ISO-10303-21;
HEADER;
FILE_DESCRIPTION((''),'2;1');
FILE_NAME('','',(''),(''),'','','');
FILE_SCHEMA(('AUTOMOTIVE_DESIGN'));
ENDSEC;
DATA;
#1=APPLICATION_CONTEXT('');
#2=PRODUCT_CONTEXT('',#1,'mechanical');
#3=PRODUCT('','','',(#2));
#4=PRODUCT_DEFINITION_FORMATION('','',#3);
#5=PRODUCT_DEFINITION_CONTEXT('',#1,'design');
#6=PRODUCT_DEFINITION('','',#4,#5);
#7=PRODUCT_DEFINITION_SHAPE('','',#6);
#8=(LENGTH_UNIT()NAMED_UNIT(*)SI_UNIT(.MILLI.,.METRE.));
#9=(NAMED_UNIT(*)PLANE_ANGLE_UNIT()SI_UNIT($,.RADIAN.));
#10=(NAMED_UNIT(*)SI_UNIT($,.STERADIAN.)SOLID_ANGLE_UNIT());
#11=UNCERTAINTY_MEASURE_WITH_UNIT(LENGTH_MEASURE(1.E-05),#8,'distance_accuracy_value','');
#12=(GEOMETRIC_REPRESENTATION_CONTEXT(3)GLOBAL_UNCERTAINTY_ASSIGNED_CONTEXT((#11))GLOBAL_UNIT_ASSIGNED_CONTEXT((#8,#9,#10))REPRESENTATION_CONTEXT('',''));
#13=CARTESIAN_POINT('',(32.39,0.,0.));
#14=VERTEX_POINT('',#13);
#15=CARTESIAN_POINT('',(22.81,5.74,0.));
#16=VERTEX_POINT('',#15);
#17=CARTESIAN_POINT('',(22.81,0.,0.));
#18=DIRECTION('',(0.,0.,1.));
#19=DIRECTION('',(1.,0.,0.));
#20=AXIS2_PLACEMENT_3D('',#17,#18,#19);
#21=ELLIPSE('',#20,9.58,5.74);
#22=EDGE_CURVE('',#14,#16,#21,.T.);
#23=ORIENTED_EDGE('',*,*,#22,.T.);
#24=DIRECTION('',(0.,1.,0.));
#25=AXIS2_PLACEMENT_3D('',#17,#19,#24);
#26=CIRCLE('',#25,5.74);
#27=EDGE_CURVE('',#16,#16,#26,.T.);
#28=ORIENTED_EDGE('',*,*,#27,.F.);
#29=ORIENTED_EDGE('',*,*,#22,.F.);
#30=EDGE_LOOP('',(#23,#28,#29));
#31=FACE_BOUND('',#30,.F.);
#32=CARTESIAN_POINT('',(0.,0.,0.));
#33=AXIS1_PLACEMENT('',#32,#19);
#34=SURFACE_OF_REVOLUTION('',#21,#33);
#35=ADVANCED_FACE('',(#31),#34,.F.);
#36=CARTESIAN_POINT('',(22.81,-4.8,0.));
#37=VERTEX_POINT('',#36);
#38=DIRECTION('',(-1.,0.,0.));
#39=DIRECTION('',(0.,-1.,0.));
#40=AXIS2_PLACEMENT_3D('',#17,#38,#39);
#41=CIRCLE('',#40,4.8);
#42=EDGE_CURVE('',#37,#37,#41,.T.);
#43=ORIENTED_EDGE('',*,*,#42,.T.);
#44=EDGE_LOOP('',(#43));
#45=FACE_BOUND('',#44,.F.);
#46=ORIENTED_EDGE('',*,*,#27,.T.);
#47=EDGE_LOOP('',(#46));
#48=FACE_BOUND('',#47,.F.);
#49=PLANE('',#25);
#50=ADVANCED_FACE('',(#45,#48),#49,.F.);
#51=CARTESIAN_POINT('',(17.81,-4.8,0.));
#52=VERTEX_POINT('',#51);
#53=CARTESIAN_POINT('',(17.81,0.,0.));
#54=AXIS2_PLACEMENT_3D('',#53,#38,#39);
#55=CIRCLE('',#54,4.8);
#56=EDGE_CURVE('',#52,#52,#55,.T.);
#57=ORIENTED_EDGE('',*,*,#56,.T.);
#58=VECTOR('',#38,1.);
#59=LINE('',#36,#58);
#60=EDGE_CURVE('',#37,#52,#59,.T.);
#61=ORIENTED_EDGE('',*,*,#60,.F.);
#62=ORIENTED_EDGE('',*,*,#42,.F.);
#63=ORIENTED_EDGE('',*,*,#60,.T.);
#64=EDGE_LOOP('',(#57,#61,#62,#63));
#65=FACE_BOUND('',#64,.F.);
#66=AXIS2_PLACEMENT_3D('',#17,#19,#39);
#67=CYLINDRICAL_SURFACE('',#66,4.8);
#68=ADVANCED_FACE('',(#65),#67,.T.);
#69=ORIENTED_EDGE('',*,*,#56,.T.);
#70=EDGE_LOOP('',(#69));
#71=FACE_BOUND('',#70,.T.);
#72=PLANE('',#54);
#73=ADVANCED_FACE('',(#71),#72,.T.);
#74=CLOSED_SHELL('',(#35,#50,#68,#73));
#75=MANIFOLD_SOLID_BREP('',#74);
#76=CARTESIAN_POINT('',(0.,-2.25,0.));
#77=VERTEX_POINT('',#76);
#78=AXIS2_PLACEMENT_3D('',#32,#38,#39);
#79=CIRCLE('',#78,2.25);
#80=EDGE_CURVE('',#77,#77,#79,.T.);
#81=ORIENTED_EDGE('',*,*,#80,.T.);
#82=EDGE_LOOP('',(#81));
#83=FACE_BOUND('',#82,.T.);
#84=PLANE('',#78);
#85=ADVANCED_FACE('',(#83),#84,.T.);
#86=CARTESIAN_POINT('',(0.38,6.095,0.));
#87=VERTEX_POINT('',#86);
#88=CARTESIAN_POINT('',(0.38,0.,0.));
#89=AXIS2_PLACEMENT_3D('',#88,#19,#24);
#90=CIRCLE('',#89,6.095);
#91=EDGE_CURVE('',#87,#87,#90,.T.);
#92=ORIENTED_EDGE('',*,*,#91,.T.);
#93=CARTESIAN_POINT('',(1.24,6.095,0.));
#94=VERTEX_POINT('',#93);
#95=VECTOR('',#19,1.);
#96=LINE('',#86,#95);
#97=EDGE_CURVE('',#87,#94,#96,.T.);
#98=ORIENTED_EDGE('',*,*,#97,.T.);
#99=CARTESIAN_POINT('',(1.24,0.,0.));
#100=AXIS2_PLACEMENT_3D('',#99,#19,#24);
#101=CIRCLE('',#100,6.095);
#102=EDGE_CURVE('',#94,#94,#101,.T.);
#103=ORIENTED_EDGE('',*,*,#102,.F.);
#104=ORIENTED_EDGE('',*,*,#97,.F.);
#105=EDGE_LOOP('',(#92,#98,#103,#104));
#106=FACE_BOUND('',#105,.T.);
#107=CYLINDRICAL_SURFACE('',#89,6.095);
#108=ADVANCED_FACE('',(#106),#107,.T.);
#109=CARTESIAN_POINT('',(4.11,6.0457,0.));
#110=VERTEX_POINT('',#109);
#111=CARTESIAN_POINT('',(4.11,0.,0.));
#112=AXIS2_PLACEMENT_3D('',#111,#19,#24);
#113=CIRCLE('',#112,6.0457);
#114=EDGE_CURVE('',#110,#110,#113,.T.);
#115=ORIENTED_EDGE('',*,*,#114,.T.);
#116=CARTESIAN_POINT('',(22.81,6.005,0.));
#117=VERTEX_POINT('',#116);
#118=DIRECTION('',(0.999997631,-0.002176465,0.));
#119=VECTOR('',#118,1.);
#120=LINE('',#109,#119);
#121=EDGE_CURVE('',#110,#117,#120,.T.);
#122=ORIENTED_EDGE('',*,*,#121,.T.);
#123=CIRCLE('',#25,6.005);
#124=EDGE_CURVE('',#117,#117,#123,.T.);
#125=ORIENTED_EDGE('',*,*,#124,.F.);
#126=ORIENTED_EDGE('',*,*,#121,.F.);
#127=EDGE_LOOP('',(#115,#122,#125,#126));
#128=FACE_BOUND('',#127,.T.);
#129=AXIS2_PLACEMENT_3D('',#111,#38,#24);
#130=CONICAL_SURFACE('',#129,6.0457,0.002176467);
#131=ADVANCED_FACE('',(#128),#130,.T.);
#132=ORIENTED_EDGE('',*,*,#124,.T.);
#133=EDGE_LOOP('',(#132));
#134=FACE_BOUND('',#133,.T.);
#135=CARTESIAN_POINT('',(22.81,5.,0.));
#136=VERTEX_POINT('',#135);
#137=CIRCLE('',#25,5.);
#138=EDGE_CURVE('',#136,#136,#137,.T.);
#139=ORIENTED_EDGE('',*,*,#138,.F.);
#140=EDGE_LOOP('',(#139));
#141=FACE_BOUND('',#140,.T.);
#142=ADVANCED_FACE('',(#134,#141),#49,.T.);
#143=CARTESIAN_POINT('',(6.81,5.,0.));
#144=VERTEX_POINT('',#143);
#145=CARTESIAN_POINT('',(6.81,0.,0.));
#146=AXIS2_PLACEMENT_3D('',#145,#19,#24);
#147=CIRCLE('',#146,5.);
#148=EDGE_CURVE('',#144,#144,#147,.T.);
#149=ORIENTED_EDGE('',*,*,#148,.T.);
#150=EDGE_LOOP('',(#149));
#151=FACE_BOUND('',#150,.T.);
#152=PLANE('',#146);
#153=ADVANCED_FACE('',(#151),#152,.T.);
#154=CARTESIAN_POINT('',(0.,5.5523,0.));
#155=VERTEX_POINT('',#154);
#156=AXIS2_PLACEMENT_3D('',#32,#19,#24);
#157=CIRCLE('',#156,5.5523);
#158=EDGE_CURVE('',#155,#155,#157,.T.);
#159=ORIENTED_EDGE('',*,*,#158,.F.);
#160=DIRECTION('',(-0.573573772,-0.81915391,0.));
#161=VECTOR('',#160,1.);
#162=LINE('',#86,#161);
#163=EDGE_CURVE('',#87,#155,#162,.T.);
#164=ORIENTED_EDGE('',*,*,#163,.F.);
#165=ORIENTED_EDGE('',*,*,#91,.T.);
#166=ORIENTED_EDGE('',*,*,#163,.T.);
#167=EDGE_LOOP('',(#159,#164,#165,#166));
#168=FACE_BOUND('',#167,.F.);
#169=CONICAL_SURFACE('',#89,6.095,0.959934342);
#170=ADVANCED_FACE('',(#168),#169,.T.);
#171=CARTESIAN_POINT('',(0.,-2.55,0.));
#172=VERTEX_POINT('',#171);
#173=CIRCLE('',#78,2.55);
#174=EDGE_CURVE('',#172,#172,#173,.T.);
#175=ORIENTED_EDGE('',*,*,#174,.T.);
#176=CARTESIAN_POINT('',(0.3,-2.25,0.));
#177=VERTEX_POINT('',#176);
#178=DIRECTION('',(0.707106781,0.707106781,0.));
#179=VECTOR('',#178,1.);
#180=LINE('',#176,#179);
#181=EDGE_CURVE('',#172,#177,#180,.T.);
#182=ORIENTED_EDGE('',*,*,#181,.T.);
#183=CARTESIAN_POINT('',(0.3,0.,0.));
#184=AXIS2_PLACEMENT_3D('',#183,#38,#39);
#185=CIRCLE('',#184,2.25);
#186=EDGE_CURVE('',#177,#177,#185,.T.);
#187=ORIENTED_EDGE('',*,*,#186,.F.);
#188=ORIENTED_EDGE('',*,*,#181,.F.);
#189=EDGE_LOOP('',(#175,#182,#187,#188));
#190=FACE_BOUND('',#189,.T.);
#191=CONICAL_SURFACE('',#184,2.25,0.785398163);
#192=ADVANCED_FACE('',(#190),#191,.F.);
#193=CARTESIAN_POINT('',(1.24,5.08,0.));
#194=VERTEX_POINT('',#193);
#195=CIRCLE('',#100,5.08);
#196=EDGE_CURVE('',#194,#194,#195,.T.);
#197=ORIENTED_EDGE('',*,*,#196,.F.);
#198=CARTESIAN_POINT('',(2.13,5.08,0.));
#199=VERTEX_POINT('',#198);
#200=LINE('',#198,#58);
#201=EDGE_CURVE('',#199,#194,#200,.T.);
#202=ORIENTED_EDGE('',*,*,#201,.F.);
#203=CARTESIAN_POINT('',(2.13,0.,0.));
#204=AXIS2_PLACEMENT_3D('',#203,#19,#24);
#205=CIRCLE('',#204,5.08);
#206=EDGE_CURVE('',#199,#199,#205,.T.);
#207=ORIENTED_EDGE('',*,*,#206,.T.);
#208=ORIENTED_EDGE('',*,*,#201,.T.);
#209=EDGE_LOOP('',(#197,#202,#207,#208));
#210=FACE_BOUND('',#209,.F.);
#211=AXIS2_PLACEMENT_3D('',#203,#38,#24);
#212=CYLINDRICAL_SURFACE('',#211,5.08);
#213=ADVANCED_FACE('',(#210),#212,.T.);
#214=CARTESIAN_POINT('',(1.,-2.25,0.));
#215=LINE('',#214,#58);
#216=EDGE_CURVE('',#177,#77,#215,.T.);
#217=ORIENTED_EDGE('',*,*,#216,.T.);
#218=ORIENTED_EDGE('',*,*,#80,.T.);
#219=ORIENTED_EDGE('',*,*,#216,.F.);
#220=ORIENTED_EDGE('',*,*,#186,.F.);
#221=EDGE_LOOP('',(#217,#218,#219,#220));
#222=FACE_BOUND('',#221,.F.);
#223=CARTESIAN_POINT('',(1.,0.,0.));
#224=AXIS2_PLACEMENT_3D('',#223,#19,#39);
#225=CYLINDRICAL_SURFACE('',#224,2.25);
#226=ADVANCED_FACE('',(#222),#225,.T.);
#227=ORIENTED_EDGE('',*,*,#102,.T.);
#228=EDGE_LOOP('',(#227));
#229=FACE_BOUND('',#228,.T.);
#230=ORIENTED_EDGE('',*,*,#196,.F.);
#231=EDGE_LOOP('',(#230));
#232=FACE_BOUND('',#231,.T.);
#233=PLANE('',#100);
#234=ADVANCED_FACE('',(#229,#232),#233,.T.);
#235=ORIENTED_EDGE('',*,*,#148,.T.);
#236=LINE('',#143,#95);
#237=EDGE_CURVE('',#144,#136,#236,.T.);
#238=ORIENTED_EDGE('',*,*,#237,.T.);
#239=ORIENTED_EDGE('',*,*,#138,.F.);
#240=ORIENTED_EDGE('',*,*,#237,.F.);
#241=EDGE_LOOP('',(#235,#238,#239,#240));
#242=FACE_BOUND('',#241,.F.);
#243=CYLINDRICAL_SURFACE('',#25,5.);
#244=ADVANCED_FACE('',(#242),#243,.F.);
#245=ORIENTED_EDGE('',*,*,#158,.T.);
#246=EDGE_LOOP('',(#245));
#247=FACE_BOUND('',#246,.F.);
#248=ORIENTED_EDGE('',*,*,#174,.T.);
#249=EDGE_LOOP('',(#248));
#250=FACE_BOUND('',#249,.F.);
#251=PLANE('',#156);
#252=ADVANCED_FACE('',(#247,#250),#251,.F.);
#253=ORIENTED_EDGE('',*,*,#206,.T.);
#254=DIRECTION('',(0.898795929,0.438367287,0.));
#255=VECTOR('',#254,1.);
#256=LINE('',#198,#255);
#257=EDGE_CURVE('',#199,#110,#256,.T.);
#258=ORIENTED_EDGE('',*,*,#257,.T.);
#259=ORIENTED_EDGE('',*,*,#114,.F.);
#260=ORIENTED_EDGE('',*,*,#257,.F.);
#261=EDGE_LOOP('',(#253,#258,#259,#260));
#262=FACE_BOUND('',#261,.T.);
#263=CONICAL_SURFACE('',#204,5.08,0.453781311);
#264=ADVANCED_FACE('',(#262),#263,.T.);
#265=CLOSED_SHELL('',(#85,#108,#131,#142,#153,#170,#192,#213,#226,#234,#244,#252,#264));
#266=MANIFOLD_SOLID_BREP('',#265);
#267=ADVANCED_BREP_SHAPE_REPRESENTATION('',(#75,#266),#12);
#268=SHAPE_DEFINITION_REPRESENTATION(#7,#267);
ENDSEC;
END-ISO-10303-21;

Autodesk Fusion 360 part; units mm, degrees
sketch "スケッチ1" plane through (0, 0, 0) normal (0, 0, 1) x (1, 0, 0)
  line L0 (0, 0) -> (32.39, 0)
  line L1 (0.38, 6.095) -> (0.38, -6.095) construction
  line L2 (0, 5.5523) -> (0, -5.5523)
  line L3 (0.38, 6.095) -> (0, 5.5523)
  line L4 (0, -5.5523) -> (0.38, -6.095)
  line L5 (1.24, 5.08) -> (1.24, -5.08) construction
  line L6 (0.38, 6.095) -> (1.24, 6.095)
  line L7 (1.24, -6.095) -> (0.38, -6.095)
  line L8 (2.13, 5.08) -> (2.13, -5.08) construction
  line L9 (2.13, -5.08) -> (1.24, -5.08)
  line L10 (2.13, 5.08) -> (1.24, 5.08)
  line L11 (1.24, 6.095) -> (1.24, 5.08)
  line L12 (1.24, -5.08) -> (1.24, -6.095)
  line L13 (4.11, 6.0457) -> (4.11, -6.0443) construction
  line L14 (2.13, 5.08) -> (4.11, 6.0457)
  line L15 (22.81, 6.005) -> (22.81, -6.005)
  line L16 (4.11, 6.0457) -> (22.81, 6.005)
  line L17 (4.11, -6.0443) -> (22.81, -6.005)
  line L18 (2.13, -5.08) -> (4.11, -6.0443)
  ellipse E0 centre (22.81, 0) end of major axis (32.39, 0) minor radius 5.74
  line L19 (13.23, 0) -> (32.39, 0) construction
  line L20 (22.81, -5.74) -> (22.81, 5.74) construction
  dimension "d1" = 32.39
  dimension "d2" = 12.19
  dimension "d3" = 0.38
  dimension "d4" = 35
  dimension "d6" = 1.24
  dimension "d7" = 10.16
  dimension "d8" = 0.89
  dimension "d9" = 12.09
  dimension "d10" = 4.11
  dimension "d11" = 26
  dimension "d12" = 12.01
  dimension "d13" = 22.81
  dimension "d14" = 11.48
revolve "回転1" add sketch "スケッチ1" angle 360 about axis through (0, 0, 0) along (1, 0, 0) contours L0 L2 L3 L6 L10 L11 L14 L15 L16 E0 | L0 L15 E0 picked at (16.8332, 0.9378) makes body 1
sketch "スケッチ2" plane through (22.81, 0, 0) normal (1, 0, 0) x (0, 1, 0)
  circle A0 centre (0, 0) radius 6.005
  circle A1 centre (0, 0) radius 5
  dimension "d16" = 10
extrude "押し出し1" cut sketch "スケッチ2" against normal blind 6 contours A1 bodies 1
revolve "回転2" add sketch "スケッチ1" angle 360 about axis through (0, 0, 0) along (1, 0, 0) separate body contours L0 L15 E0 picked at (28.7514, 0.9746) makes body 2
sketch "スケッチ3" plane through (22.81, 0, 0) normal (-1, 0, 0) x (0, -1, 0)
  circle A0 centre (0, 0) radius 5.74
  circle A1 centre (0, 0) radius 4.8
  dimension "d20" = 9.6
extrude "押し出し2" add sketch "スケッチ3" along normal blind 5 contours A1 bodies 2
sketch "スケッチ4" plane through (0, 0, 0) normal (-1, 0, 0) x (0, -1, 0)
  circle A0 centre (0, 0) radius 5.5523
  circle A1 centre (0, 0) radius 2.25
  dimension "d23" = 4.5
extrude "押し出し3" cut sketch "スケッチ4" against normal blind 1 contours A1 bodies 1
chamfer "面取り1" distance 0.3 angle 45 1 edges at (0, 2.0977, 0.8136) on bodies 1
extrude "押し出し4" add 1 faces at (1, -1.1556, -0.7479) along direction (-1, 0, 0) blind 1 on bodies 1 bodies 1
extrude "押し出し5" cut 1 faces at (16.81, 1.3101, -1.9935) along direction (-1, 0, 0) blind 10 on bodies 1 bodies 1
